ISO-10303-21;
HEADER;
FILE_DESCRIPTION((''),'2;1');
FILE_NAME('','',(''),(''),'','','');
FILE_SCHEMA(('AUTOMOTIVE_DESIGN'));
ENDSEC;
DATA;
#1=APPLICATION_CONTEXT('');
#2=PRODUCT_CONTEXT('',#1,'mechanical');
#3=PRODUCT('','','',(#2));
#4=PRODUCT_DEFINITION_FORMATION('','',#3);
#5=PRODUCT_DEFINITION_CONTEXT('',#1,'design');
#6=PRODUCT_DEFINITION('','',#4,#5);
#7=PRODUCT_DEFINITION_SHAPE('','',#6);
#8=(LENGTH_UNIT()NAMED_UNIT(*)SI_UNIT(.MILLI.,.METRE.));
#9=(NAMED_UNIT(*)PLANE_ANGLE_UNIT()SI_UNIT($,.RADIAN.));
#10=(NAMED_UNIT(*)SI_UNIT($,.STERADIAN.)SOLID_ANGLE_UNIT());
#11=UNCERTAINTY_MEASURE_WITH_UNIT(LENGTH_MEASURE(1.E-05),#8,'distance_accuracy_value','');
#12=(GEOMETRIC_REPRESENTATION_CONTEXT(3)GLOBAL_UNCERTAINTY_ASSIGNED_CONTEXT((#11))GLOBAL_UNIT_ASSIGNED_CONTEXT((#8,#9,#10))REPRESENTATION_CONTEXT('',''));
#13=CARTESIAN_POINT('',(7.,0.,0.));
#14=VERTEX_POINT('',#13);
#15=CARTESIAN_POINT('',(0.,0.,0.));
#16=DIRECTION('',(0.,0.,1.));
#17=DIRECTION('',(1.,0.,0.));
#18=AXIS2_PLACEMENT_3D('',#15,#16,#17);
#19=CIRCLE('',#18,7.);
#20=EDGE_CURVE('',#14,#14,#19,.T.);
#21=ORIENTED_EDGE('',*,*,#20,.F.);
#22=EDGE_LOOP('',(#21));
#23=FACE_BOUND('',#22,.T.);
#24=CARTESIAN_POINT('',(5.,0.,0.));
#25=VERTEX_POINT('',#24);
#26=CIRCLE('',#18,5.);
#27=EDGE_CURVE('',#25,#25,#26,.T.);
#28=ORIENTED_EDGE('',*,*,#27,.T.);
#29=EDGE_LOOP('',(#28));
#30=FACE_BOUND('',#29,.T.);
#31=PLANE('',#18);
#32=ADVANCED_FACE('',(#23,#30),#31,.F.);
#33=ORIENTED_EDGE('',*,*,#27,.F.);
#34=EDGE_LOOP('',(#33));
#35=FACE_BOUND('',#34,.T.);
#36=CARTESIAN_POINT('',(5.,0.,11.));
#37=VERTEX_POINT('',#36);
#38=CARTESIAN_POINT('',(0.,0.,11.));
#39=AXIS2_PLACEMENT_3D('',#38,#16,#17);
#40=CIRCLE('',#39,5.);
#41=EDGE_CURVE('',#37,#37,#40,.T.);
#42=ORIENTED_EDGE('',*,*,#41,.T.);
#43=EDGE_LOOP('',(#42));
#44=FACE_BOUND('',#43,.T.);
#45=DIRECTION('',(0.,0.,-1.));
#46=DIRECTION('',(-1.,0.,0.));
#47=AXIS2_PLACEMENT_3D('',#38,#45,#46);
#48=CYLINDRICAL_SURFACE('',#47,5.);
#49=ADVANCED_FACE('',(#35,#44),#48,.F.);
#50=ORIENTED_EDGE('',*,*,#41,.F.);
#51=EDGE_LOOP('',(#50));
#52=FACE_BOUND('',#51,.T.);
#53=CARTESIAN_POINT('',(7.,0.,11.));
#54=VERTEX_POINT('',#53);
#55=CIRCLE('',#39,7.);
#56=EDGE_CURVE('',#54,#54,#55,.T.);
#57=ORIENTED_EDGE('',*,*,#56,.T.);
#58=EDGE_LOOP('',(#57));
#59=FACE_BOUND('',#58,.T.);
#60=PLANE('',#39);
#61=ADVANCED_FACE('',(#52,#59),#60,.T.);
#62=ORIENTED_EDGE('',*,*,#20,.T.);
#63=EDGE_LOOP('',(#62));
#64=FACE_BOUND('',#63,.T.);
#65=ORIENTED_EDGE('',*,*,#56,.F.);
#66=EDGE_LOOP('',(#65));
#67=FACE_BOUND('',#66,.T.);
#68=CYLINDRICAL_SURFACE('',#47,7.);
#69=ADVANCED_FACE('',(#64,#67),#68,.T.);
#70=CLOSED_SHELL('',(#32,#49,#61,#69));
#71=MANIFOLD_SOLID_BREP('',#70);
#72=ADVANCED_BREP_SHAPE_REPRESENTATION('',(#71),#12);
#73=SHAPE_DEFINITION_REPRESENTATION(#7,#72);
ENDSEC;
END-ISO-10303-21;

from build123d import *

# Parameters (mm, degrees)
SKETCH1_R          = 7
SKETCH1_R_2        = 5
BASE_EXTRUDE_DEPTH = 11


with BuildPart() as part:
    # Sketch1 → Base-Extrude (new body)
    with BuildSketch(Plane.XY):
        Circle(SKETCH1_R)
        Circle(SKETCH1_R_2, mode=Mode.SUBTRACT)
    extrude(amount=BASE_EXTRUDE_DEPTH)


solid = part.part
